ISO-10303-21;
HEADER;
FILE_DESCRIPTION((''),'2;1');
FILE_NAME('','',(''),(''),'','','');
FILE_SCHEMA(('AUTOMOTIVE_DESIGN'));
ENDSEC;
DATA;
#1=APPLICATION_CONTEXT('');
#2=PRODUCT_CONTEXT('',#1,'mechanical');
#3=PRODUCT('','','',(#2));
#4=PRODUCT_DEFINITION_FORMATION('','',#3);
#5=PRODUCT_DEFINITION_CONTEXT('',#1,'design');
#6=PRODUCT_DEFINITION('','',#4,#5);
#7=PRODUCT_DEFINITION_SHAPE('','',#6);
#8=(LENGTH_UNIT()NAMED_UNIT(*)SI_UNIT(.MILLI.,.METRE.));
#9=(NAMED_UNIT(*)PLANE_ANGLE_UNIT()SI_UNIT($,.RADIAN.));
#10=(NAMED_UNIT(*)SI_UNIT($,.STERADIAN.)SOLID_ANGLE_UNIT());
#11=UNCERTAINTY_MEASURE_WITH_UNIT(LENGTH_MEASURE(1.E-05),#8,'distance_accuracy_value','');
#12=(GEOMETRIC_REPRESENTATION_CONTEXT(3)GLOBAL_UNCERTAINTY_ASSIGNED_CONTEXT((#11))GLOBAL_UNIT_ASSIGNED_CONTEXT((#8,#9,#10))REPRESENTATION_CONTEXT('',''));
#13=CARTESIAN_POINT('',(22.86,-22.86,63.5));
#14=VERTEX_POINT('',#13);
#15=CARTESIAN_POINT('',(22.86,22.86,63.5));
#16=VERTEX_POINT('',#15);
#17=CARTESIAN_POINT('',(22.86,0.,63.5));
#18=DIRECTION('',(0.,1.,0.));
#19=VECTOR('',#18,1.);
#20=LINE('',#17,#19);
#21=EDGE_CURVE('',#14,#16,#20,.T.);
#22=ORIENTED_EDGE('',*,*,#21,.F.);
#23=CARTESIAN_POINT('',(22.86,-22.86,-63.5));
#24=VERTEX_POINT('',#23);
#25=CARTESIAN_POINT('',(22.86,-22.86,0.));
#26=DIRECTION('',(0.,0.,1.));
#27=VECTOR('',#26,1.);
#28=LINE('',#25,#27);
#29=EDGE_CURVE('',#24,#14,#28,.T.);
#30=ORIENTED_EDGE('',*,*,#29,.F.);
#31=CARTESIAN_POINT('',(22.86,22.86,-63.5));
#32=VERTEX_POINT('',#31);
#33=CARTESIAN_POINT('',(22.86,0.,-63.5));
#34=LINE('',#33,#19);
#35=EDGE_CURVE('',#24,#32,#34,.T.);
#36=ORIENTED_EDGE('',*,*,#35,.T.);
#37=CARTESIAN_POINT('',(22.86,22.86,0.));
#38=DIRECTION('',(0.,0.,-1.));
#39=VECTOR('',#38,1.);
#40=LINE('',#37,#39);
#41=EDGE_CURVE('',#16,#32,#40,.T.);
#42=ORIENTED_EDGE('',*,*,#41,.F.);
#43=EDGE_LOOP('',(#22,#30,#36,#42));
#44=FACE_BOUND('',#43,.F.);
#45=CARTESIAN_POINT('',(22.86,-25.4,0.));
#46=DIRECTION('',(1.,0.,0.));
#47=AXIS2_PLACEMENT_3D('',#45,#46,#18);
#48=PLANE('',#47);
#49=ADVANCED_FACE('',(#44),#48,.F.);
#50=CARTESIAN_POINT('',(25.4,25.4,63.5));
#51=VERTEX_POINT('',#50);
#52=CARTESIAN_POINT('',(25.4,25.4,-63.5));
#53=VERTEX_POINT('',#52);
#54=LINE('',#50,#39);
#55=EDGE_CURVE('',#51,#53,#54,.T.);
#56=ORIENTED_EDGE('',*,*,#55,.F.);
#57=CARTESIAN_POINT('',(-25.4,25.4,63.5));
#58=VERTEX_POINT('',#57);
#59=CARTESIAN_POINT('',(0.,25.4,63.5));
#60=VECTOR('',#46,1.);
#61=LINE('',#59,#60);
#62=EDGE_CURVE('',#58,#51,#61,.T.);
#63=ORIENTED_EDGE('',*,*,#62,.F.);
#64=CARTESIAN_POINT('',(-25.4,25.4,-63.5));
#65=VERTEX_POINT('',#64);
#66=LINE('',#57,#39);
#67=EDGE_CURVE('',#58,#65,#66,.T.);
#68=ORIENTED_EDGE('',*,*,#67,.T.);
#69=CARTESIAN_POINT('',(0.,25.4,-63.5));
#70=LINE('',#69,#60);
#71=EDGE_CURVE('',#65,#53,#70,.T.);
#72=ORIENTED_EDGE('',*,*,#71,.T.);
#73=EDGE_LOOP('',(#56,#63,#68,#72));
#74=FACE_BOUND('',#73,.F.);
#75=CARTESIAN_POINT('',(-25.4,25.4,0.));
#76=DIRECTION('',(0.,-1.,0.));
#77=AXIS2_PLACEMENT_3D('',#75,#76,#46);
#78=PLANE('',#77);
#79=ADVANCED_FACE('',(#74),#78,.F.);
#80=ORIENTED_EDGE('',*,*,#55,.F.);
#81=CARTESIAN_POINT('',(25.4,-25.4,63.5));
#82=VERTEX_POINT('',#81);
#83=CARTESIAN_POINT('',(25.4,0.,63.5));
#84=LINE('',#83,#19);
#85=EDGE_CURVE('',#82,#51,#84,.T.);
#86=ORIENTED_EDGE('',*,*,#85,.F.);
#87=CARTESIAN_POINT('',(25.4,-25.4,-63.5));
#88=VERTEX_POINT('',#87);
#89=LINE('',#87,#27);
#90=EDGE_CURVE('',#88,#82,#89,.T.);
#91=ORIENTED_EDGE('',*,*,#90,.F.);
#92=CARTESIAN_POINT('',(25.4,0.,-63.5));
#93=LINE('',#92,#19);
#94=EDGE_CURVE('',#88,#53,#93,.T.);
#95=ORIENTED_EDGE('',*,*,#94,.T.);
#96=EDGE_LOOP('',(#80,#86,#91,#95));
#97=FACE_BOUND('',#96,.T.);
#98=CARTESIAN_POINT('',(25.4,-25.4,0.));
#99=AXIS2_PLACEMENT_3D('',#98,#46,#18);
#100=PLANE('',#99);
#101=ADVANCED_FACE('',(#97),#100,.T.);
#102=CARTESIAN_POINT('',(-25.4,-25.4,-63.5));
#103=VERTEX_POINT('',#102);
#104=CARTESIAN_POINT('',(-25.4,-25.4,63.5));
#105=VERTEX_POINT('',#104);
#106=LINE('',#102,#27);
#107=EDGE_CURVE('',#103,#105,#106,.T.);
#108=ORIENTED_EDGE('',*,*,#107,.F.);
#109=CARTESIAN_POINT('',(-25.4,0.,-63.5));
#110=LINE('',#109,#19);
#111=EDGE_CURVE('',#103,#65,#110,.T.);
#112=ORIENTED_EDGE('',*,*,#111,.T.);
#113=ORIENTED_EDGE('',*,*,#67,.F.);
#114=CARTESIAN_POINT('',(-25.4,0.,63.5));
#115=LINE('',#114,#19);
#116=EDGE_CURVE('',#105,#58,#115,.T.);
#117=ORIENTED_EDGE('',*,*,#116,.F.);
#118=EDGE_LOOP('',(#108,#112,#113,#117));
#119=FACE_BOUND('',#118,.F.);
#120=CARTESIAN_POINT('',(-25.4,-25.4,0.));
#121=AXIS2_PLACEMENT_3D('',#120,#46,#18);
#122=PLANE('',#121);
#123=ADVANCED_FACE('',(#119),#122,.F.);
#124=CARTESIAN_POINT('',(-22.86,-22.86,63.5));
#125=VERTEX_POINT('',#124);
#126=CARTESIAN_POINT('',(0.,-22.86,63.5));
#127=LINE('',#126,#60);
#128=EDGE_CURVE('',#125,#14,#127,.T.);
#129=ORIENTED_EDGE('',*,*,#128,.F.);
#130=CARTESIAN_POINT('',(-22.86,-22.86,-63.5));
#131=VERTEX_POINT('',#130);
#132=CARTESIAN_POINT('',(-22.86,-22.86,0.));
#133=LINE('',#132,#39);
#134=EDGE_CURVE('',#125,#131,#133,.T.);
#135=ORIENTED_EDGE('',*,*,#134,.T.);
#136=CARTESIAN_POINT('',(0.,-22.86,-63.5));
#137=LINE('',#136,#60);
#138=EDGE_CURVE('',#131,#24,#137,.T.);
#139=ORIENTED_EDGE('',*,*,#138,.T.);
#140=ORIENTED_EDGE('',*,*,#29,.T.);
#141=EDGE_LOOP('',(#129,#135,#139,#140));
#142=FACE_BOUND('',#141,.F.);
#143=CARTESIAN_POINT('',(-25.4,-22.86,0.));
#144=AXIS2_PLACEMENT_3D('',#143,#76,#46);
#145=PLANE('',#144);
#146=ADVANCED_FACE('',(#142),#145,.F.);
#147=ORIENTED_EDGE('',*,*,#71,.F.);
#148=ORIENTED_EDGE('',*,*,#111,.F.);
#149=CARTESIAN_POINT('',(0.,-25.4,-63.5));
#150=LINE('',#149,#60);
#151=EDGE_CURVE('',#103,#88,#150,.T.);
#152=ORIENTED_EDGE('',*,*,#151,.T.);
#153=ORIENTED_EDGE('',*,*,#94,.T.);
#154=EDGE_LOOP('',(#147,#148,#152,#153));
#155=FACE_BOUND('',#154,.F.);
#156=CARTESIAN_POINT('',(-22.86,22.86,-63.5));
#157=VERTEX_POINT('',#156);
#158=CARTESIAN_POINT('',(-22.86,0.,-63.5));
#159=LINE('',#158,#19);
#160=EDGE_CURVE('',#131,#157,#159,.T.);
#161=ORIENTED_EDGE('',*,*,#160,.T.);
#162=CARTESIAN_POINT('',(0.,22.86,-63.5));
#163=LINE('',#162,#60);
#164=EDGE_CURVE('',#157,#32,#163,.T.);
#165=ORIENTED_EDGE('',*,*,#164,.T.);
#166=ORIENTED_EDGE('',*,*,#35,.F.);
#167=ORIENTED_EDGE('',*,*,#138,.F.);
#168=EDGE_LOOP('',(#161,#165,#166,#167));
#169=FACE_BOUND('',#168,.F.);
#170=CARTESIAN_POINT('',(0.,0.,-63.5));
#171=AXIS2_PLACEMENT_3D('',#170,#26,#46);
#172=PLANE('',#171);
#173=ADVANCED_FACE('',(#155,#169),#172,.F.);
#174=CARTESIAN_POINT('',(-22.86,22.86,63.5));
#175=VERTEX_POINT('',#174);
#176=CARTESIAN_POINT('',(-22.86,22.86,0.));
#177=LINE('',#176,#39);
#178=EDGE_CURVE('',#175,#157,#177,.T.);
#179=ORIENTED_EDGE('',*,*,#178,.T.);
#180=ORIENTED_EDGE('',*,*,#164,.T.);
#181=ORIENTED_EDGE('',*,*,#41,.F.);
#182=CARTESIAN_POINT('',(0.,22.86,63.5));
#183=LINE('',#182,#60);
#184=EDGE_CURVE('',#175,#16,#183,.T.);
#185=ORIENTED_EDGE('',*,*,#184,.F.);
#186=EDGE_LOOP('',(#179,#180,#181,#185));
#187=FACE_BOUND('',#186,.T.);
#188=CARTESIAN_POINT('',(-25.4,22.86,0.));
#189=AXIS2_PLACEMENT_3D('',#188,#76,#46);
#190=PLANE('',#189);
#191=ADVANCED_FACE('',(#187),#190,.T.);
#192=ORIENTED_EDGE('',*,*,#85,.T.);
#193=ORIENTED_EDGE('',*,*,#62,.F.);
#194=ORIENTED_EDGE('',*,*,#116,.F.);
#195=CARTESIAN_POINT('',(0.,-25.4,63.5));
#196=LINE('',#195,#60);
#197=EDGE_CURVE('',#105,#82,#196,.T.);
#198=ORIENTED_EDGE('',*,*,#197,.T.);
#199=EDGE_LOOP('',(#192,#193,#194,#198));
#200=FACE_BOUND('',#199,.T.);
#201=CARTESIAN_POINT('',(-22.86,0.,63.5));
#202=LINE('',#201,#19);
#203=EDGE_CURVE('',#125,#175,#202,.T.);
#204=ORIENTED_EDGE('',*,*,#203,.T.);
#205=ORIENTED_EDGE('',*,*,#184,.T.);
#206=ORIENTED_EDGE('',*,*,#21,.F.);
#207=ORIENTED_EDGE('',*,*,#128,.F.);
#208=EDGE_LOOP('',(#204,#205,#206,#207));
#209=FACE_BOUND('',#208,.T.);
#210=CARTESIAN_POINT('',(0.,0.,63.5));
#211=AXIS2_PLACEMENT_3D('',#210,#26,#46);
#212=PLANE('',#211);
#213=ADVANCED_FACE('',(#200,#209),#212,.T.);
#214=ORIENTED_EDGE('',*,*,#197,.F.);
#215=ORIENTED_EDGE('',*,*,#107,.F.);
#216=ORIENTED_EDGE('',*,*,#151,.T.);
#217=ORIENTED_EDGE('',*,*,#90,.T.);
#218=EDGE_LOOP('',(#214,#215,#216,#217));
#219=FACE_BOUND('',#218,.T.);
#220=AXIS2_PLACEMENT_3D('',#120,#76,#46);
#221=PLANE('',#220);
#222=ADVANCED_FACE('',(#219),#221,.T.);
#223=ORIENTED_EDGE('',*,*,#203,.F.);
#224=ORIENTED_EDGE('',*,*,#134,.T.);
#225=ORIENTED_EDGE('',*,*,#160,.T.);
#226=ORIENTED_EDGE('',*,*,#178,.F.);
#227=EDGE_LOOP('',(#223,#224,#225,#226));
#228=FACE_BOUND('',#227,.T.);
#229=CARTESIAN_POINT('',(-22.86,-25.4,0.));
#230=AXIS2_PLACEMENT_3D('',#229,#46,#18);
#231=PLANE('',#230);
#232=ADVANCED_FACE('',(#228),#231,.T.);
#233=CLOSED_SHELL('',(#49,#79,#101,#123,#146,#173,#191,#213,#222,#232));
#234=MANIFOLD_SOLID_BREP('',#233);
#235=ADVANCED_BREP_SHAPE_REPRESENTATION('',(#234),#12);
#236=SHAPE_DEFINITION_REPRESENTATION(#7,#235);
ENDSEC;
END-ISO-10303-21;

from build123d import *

# Parameters (mm, degrees)
F0_W     = 50.8
F0_H     = 50.8
F1_DEPTH = 63.5
F2_T     = -2.54


with BuildPart() as f1:
    # F0 (on Top) → F1 (new body, symmetric)
    with BuildSketch(Plane.XY):
        Rectangle(F0_W, F0_H)
    extrude(amount=F1_DEPTH, both=True)

    # F2
    f2_openings = [f1.faces().sort_by_distance(p)[0] for p in [
        (0, 0, 63.5),
        (0, 0, -63.5),
    ]]
    offset(amount=F2_T, openings=f2_openings)


solid = f1.part
